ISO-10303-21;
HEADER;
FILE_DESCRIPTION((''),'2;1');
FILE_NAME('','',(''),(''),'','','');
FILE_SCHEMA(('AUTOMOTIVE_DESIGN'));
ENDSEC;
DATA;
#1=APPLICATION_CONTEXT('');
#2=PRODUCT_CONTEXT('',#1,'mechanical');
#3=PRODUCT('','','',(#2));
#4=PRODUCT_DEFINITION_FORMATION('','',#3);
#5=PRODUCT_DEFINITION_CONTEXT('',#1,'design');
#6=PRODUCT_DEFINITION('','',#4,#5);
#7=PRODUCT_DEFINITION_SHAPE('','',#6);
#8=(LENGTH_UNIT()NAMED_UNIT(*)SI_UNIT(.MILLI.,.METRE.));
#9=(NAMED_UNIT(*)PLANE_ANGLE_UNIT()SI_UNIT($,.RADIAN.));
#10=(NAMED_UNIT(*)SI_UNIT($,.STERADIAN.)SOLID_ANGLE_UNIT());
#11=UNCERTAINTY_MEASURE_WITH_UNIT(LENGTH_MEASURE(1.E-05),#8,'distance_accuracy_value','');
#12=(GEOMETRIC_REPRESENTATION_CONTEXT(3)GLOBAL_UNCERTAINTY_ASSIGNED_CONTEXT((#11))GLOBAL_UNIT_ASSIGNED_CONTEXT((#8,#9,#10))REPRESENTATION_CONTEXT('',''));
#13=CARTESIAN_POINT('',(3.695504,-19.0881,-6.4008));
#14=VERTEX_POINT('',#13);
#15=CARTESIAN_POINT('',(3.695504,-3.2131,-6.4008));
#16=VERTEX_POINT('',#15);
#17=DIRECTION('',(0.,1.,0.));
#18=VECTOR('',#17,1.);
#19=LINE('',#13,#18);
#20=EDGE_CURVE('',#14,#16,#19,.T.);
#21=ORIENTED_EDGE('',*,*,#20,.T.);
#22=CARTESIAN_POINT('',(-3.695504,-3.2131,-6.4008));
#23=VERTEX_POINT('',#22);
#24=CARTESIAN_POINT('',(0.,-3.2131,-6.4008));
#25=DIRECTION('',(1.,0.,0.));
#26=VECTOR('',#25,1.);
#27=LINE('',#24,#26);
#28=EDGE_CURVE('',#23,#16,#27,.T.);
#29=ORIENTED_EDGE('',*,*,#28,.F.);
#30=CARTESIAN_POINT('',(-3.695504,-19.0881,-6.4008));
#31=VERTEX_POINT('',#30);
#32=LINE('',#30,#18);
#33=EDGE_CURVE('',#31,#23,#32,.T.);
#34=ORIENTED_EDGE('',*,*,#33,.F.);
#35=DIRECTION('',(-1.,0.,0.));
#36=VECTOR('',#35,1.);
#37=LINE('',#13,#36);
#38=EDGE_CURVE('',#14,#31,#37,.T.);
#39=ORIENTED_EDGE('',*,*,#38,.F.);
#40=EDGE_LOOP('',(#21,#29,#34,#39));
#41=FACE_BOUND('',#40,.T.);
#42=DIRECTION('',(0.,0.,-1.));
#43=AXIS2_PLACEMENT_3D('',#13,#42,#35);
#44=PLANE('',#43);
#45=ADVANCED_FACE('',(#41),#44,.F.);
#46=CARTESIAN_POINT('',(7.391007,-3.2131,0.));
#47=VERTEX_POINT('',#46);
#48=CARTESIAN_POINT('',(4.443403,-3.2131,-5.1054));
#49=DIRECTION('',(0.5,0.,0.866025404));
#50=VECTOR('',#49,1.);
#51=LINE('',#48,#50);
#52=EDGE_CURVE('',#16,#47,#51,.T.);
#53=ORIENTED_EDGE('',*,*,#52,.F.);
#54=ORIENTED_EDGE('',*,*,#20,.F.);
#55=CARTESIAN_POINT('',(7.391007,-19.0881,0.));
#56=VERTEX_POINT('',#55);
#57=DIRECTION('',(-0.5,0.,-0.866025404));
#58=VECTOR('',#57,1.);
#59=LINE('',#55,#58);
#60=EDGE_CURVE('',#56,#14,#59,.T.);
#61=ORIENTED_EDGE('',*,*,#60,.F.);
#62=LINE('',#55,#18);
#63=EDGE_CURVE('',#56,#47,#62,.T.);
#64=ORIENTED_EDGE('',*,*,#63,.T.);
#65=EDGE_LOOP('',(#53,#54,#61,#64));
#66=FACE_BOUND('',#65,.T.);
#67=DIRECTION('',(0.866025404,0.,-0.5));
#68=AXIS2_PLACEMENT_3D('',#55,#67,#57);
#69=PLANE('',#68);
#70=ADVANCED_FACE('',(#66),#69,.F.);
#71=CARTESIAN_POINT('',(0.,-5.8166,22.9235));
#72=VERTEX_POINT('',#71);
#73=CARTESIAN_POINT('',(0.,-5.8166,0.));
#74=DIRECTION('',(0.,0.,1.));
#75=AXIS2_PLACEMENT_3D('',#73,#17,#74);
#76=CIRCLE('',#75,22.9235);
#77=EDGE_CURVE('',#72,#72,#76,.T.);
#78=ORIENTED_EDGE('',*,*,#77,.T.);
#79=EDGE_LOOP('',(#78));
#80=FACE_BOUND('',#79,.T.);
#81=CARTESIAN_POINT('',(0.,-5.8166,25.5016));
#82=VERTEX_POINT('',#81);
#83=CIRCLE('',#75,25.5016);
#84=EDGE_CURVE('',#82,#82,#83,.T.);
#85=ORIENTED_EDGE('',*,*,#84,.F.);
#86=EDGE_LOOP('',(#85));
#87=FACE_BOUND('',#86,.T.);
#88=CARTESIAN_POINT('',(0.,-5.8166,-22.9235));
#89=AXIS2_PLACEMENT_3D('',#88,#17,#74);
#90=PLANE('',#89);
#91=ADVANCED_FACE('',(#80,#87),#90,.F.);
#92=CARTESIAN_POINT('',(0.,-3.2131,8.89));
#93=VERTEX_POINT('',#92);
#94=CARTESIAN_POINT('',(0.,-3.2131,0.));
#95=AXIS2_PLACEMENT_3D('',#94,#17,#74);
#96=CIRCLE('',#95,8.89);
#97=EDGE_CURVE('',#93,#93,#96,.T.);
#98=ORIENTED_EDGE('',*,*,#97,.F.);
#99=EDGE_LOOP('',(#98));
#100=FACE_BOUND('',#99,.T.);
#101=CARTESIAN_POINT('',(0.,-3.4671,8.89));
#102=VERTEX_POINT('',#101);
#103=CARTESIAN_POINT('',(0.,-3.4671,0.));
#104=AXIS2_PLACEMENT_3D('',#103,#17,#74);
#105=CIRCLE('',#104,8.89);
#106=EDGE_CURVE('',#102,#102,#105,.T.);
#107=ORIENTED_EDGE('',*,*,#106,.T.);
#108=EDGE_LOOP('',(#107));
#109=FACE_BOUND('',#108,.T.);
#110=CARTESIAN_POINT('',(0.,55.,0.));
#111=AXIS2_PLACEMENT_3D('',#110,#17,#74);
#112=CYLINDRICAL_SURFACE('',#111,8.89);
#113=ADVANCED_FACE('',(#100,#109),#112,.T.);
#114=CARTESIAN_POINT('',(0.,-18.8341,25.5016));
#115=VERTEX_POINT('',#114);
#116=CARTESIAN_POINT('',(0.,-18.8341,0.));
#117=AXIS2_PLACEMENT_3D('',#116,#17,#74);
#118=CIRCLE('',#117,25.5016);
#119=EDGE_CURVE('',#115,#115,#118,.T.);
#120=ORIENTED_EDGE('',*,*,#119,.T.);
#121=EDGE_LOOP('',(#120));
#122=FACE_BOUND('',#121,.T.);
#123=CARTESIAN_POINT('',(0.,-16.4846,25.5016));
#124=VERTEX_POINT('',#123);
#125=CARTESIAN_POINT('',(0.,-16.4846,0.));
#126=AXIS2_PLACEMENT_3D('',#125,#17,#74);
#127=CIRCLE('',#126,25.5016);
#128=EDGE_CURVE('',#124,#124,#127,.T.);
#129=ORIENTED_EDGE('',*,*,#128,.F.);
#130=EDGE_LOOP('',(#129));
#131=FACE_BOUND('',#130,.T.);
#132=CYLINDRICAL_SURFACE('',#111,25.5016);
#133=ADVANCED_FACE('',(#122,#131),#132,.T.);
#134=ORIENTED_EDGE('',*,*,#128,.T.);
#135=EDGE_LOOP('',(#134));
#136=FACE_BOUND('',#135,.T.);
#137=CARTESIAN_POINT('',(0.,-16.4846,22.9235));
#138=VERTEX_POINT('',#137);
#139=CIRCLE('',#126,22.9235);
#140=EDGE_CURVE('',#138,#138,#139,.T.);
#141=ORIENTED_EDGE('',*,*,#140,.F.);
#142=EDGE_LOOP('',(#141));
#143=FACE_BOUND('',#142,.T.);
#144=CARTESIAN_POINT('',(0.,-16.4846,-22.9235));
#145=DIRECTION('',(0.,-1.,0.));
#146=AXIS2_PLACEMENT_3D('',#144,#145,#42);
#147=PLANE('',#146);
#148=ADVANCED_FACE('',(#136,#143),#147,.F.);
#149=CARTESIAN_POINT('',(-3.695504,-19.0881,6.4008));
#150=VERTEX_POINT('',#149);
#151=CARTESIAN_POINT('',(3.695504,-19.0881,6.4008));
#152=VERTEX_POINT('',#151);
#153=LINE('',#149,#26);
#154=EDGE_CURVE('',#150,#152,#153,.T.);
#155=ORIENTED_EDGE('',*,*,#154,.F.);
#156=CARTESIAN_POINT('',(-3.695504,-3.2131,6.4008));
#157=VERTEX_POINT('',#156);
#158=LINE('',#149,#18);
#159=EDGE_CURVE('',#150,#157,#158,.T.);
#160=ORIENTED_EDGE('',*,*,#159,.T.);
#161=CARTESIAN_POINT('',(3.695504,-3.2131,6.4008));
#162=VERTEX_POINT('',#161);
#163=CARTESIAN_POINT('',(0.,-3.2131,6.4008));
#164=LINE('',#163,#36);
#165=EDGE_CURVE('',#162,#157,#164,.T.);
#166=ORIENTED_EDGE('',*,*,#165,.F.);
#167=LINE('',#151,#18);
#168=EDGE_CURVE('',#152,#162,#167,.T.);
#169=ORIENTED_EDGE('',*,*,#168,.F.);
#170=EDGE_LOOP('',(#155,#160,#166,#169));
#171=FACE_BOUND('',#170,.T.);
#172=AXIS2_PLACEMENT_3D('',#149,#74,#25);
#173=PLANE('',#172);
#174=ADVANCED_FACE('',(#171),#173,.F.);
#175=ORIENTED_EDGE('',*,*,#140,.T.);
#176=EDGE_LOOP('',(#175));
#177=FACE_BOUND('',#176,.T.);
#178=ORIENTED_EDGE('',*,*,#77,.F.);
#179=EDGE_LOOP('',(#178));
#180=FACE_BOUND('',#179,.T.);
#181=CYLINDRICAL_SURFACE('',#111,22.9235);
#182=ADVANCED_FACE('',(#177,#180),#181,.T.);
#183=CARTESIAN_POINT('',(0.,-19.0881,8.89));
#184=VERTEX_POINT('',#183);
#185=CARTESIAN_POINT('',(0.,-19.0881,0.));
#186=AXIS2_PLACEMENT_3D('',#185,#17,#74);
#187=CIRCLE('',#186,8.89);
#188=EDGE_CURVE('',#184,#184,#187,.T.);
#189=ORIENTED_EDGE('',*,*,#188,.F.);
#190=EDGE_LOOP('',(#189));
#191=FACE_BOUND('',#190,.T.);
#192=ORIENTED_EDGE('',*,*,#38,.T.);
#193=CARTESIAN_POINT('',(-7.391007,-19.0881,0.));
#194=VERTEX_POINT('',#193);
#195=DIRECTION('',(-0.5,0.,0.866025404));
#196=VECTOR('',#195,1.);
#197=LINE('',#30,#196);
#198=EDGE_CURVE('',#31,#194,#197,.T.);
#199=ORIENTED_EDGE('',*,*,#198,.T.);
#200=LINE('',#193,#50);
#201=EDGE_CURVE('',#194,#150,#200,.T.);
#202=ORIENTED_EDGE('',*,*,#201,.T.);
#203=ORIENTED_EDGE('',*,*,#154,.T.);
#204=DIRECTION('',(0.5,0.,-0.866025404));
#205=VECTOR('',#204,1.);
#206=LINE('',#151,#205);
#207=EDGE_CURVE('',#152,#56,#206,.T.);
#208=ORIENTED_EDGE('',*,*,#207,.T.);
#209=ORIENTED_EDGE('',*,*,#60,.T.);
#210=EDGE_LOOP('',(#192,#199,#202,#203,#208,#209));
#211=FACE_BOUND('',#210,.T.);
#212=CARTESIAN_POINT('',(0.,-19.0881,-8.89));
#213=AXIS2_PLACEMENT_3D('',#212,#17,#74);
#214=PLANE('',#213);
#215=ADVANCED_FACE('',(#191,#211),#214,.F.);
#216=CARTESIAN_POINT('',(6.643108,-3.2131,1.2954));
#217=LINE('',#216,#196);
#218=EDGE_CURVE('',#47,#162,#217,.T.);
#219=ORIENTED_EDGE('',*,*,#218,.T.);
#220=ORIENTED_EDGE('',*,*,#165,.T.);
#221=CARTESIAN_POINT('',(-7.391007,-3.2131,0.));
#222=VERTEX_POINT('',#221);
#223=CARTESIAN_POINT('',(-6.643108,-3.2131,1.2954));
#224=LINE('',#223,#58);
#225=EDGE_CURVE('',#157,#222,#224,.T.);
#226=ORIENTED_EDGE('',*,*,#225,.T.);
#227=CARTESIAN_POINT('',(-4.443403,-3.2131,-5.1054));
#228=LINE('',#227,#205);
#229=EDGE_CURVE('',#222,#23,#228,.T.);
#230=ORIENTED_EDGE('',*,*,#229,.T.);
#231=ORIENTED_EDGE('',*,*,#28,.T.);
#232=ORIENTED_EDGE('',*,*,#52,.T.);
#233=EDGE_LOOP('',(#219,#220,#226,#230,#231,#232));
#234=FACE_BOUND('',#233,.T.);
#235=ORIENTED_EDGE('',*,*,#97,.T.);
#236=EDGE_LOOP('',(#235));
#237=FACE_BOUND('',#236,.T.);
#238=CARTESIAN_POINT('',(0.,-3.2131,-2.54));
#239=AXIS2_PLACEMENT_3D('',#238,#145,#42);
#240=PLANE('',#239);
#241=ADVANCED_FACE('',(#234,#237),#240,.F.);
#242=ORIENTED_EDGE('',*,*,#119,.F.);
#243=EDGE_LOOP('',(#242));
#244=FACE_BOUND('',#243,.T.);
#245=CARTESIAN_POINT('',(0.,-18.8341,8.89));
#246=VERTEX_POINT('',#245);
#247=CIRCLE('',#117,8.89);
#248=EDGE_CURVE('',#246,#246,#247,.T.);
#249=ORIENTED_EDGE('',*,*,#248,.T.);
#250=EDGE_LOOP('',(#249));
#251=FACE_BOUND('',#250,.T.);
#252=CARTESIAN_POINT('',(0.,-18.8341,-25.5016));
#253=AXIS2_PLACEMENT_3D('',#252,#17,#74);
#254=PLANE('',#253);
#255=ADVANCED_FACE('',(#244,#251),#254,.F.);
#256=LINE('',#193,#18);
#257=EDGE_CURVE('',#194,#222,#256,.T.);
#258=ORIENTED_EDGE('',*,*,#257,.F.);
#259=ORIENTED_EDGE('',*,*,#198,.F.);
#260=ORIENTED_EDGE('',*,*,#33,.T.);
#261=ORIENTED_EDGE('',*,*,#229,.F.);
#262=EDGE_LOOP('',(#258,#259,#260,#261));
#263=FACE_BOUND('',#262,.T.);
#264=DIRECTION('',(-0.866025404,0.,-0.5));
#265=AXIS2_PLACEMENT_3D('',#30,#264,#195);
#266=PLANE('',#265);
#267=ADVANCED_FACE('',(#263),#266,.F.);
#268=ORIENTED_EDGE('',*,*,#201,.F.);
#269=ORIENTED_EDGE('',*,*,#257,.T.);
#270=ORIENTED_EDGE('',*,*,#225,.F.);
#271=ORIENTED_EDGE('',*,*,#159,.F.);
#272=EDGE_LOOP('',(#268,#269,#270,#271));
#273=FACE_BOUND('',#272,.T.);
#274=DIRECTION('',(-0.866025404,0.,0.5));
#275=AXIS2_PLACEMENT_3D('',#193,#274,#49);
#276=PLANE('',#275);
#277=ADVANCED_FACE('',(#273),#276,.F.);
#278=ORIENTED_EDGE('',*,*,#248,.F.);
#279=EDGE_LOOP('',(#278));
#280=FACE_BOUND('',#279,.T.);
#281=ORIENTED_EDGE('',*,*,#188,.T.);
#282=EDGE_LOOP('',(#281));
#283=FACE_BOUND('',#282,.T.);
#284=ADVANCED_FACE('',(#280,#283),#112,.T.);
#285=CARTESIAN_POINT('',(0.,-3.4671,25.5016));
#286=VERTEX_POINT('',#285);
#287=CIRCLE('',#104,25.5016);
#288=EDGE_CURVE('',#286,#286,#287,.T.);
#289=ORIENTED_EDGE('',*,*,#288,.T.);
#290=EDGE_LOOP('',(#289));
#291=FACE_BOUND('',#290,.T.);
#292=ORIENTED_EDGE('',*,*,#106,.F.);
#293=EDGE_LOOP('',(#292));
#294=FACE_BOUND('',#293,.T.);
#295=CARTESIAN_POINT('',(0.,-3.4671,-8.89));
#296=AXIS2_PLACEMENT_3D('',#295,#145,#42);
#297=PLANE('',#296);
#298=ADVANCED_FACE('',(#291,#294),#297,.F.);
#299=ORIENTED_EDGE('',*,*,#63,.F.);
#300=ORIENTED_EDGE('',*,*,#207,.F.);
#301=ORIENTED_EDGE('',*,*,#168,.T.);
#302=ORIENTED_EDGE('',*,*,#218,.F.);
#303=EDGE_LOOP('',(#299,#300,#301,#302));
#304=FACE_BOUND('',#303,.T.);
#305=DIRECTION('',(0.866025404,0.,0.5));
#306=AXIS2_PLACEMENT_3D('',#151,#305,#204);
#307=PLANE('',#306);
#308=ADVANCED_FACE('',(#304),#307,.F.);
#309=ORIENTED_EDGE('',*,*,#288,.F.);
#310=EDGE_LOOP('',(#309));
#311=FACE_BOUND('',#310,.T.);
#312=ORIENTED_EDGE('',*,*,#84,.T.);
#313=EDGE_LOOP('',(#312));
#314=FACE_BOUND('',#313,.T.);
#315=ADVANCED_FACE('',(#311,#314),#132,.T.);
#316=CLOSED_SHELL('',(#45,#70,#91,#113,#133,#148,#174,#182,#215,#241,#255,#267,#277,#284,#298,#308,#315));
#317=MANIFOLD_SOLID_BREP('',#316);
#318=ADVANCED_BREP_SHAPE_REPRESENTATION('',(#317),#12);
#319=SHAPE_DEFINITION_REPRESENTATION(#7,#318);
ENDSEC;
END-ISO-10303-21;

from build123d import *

# Parameters (mm, degrees)
CUT_EXTRUDE1_DEPTH      = 1
CUT_EXTRUDE1_DEPTH_BACK = 16.875


with BuildPart() as part:
    # Sketch2 → Revolve1 (revolve)
    with BuildSketch(Plane(origin=(0, 0, 0), x_dir=(0, 0, -1), z_dir=(1, 0, 0))):
        Polygon((2.54, -3.2131), (8.89, -3.2131), (8.89, -3.4671), (25.5016, -3.4671), (25.5016, -5.8166), (22.9235, -5.8166), (22.9235, -16.4846), (25.5016, -16.4846), (25.5016, -18.8341), (8.89, -18.8341), (8.89, -19.0881), (2.54, -19.0881), align=None)
    revolve(axis=Axis((0, 55, 0), (0, -1, 0)))

    # Sketch3 → Cut-Extrude1 (cut, two sides)
    with BuildSketch(Plane(origin=(0, -3.2131, 0), x_dir=(1, 0, 0), z_dir=(0, 1, 0))) as cut_extrude1_sk:
        Polygon((3.695503603, 6.4008), (-3.695503603, 6.4008), (-7.391007206, 0), (-3.695503603, -6.4008), (3.695503603, -6.4008), (7.391007206, 0), align=None)
    extrude(amount=CUT_EXTRUDE1_DEPTH, mode=Mode.SUBTRACT)
    extrude(cut_extrude1_sk.sketch, amount=-CUT_EXTRUDE1_DEPTH_BACK, mode=Mode.SUBTRACT)


solid = part.part
